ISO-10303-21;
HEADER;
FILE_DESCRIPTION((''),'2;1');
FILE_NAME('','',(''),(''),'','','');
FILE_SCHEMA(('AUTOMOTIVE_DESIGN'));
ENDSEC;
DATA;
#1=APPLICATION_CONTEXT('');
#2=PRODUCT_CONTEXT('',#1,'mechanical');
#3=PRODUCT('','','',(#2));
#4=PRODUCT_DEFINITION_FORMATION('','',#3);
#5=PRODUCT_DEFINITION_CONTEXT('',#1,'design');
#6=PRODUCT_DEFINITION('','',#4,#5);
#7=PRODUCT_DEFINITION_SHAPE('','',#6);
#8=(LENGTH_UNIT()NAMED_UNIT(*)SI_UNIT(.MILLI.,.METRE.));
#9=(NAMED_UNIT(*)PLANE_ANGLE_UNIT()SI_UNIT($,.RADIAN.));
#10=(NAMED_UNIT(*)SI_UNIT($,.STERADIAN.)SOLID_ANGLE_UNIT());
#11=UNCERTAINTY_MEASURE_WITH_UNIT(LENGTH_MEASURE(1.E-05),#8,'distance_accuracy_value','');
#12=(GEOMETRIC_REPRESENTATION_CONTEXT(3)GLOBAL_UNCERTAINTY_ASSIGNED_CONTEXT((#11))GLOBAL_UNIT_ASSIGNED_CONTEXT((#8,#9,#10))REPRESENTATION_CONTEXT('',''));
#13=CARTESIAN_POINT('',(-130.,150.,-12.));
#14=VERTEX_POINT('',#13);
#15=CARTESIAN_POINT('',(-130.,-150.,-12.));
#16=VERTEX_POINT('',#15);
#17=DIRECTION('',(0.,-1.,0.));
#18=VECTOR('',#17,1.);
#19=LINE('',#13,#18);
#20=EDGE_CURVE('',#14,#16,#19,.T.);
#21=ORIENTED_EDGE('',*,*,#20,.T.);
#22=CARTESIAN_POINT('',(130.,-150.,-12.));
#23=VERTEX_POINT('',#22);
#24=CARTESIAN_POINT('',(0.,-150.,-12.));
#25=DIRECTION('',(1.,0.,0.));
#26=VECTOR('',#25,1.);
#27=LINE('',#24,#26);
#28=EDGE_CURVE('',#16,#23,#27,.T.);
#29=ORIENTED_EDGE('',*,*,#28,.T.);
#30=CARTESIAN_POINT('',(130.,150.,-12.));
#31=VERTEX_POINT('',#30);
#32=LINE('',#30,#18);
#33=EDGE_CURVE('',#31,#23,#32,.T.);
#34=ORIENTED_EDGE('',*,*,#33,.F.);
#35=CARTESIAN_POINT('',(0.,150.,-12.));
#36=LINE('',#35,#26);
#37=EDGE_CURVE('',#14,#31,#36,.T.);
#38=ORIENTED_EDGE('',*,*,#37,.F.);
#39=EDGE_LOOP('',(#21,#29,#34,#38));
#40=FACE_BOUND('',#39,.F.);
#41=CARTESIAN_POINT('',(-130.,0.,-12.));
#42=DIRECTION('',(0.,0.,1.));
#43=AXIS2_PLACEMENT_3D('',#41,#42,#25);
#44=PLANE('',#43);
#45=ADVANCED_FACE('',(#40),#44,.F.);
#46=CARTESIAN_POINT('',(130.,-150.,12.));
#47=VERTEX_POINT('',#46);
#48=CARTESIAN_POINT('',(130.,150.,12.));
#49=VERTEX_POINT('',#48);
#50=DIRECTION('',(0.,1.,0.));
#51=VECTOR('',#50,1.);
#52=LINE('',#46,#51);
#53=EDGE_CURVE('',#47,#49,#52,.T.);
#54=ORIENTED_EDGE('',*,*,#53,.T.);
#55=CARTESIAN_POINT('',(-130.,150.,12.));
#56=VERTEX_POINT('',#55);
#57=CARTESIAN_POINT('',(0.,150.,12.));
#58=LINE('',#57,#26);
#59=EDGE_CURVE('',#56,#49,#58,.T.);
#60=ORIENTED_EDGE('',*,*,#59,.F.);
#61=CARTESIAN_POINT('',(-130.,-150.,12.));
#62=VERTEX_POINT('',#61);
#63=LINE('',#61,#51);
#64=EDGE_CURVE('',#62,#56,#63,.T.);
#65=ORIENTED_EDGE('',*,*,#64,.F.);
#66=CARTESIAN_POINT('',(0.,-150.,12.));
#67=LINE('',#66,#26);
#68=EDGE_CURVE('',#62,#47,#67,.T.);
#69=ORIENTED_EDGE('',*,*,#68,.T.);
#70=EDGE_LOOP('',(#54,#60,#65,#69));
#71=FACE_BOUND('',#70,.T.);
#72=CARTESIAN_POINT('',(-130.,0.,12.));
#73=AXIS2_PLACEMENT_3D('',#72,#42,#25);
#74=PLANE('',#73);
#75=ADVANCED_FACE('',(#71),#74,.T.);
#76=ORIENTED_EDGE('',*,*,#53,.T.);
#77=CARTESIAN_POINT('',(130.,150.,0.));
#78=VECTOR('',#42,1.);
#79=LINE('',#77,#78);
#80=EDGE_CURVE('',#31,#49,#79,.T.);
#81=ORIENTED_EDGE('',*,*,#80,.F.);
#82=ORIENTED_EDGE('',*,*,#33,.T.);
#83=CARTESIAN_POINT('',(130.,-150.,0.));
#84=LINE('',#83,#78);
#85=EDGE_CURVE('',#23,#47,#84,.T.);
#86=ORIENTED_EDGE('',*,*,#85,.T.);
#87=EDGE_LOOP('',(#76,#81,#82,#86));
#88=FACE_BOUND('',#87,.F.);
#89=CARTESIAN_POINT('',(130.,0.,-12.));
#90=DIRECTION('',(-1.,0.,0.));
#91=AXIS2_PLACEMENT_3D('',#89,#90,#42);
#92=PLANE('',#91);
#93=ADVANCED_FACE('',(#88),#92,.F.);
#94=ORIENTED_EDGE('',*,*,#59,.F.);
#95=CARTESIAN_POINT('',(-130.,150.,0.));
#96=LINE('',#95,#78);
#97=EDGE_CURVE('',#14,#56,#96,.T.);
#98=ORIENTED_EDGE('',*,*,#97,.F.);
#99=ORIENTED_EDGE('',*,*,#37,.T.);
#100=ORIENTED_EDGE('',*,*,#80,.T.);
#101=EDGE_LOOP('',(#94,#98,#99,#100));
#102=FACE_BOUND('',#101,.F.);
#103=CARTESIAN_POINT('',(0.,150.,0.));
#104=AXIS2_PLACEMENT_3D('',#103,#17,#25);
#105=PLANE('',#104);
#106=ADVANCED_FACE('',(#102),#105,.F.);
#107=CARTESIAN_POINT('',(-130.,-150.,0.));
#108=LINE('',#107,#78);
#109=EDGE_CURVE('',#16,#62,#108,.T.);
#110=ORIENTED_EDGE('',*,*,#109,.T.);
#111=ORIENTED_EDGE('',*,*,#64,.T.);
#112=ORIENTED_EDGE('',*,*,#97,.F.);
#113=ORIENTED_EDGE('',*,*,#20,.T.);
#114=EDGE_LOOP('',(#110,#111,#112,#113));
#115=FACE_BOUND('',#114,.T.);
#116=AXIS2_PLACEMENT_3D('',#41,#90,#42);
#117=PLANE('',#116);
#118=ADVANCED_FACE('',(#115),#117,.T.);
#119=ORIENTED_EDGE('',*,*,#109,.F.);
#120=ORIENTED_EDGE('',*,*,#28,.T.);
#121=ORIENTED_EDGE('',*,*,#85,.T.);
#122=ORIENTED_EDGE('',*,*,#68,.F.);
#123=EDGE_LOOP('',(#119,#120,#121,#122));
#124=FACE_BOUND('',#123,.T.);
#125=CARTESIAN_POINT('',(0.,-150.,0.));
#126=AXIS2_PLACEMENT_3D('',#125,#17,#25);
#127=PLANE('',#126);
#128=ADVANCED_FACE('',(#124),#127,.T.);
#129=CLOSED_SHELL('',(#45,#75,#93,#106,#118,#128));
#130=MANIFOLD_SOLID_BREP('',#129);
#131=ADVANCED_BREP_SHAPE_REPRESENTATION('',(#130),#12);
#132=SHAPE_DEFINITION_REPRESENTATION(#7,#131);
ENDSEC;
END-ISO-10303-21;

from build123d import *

# Parameters (mm, degrees)
F0_W          = 260
F0_H          = 24
F1_DEPTH      = 150
F1_DEPTH_BACK = 150


with BuildPart() as f1:
    # F0 (on Front) → F1 (new body, two sides)
    with BuildSketch(Plane.XZ) as f1_sk:
        Rectangle(F0_W, F0_H)
    extrude(amount=-F1_DEPTH)
    extrude(f1_sk.sketch, amount=F1_DEPTH_BACK)


solid = f1.part
